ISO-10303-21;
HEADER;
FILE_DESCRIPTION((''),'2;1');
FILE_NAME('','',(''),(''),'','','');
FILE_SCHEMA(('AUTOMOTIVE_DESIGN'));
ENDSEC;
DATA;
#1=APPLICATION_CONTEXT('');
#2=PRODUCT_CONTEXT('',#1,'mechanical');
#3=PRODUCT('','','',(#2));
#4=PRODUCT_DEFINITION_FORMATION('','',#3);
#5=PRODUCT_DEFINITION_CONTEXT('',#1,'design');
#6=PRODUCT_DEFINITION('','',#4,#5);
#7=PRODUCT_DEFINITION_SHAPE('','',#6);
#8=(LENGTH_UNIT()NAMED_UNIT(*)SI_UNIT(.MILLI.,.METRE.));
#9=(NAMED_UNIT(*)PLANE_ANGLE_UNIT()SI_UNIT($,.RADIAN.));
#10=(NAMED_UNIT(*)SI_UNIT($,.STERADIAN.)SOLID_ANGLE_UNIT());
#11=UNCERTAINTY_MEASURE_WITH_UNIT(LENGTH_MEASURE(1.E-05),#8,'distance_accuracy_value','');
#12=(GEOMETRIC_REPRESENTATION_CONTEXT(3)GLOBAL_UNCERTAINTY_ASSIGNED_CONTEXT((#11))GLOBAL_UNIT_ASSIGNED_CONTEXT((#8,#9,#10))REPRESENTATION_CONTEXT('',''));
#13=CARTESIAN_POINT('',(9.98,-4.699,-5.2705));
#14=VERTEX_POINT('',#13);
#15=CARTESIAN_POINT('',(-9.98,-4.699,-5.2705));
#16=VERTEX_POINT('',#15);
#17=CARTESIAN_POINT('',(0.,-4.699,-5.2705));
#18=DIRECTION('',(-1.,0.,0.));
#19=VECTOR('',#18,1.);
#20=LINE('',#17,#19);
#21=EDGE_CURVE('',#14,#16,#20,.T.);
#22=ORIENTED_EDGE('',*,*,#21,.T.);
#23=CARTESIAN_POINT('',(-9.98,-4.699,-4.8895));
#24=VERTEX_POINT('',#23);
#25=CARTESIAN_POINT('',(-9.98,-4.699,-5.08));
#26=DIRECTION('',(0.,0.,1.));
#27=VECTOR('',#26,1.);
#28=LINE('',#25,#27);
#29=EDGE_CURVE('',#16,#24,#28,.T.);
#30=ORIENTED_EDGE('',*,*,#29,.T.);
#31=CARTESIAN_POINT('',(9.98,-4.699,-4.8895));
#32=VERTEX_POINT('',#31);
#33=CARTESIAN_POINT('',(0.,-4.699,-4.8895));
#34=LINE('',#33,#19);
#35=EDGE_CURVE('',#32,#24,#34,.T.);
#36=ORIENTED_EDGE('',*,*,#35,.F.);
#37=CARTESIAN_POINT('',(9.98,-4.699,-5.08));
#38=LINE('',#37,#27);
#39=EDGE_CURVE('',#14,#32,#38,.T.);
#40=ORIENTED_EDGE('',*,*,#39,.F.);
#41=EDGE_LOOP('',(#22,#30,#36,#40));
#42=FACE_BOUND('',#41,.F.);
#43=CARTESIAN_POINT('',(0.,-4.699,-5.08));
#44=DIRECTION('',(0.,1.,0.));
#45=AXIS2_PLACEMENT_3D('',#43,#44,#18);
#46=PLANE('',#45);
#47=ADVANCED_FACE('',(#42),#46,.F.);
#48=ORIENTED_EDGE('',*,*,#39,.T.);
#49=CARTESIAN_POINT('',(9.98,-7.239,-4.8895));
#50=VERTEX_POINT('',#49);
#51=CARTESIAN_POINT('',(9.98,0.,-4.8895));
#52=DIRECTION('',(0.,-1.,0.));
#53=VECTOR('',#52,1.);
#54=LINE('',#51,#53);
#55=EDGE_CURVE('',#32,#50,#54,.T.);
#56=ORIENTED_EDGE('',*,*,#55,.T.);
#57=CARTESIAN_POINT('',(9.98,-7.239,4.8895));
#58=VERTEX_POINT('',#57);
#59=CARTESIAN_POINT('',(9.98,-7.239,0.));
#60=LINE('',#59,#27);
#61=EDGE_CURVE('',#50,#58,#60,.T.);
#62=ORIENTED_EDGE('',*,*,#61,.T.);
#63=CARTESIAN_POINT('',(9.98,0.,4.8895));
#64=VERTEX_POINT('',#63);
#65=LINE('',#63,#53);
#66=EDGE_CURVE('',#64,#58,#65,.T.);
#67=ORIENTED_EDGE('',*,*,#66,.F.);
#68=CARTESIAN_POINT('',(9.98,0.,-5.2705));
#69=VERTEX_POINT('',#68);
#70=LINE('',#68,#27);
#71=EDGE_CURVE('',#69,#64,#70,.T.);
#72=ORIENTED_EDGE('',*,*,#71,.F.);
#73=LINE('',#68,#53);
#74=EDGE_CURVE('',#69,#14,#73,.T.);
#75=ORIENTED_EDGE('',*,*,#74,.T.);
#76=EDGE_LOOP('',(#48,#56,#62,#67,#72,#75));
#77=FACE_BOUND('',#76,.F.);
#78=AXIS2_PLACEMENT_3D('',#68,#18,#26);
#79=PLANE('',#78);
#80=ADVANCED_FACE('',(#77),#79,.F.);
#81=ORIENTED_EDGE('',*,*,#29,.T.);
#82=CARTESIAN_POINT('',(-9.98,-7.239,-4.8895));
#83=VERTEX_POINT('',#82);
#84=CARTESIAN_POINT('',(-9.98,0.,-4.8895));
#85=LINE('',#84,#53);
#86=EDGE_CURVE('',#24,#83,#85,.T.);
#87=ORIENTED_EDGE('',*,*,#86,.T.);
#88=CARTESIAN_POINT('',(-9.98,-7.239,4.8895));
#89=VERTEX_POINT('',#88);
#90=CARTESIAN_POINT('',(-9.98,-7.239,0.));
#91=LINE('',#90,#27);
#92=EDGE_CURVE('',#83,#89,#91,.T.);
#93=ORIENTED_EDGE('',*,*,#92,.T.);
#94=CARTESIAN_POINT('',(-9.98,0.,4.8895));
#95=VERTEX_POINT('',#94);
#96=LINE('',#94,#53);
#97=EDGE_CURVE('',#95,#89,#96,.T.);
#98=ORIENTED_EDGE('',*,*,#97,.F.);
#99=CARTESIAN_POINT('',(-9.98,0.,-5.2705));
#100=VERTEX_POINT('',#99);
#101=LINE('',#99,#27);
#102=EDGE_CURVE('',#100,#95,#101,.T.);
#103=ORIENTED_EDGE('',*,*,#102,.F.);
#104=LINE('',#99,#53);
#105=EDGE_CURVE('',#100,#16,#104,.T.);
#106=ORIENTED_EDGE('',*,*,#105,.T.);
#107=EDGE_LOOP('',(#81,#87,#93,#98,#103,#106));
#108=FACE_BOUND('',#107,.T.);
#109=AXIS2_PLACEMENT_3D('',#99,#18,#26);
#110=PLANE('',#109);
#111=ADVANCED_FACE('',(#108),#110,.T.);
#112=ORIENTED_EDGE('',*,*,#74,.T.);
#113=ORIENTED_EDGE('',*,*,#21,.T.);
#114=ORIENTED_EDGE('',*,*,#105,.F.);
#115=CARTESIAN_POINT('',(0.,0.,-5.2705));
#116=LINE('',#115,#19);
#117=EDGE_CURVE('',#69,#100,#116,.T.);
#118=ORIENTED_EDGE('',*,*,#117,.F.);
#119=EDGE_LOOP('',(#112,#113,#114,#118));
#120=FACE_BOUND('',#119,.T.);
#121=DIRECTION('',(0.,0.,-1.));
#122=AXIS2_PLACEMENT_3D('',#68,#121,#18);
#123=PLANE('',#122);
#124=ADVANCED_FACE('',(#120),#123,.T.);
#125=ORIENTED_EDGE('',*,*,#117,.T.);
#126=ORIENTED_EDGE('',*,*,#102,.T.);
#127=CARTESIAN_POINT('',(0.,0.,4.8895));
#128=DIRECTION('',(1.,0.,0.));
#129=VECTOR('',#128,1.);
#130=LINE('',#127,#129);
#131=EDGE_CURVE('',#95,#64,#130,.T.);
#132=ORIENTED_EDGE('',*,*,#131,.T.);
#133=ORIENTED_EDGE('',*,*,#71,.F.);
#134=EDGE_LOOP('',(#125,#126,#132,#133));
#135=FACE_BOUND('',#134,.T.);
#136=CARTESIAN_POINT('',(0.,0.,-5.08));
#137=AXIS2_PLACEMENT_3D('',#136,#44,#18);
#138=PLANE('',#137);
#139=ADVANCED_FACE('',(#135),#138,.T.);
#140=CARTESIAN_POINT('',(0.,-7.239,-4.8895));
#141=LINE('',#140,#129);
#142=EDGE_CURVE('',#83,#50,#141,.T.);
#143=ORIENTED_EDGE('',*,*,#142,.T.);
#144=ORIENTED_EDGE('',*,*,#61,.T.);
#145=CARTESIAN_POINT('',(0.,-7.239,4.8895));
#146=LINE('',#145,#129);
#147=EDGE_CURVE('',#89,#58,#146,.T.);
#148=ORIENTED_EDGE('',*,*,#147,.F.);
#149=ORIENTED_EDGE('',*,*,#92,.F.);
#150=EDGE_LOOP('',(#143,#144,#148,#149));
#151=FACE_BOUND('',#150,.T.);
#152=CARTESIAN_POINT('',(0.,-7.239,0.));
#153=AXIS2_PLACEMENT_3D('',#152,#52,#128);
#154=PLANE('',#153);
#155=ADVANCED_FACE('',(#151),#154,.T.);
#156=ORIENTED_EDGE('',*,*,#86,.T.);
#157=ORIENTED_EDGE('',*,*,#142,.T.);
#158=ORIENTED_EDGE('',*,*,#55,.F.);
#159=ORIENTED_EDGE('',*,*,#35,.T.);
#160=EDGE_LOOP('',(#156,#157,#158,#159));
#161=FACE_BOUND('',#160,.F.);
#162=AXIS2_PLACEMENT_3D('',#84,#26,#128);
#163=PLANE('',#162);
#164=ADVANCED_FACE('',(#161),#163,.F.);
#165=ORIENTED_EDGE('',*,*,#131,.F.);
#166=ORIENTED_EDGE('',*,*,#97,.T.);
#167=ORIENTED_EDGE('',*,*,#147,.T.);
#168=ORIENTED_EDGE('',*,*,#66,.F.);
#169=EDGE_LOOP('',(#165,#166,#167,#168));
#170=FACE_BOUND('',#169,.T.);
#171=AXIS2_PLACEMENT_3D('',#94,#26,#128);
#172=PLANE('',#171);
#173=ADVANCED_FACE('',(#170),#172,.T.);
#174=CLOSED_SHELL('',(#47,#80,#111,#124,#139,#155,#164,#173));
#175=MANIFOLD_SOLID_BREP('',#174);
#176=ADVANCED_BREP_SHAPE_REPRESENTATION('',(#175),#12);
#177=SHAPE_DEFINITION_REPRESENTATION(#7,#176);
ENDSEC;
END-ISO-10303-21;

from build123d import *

# Parameters (mm, degrees)
F0_W     = 19.96
F0_H     = 9.779
F1_DEPTH = 7.239
F2_W     = 19.96
F2_H     = 0.381
F3_DEPTH = 4.699


with BuildPart() as f1:
    # F0 (on Front) → F1 (new body)
    with BuildSketch(Plane.XZ):
        Rectangle(F0_W, F0_H)
    extrude(amount=F1_DEPTH)

    # F2 (on face) → F3 (join)
    with BuildSketch(Plane(origin=(0, 0, 0), x_dir=(-1, 0, 0), z_dir=(0, 1, 0))):
        with Locations((0, -5.08)):
            Rectangle(F2_W, F2_H)
    extrude(amount=-F3_DEPTH)


solid = f1.part
